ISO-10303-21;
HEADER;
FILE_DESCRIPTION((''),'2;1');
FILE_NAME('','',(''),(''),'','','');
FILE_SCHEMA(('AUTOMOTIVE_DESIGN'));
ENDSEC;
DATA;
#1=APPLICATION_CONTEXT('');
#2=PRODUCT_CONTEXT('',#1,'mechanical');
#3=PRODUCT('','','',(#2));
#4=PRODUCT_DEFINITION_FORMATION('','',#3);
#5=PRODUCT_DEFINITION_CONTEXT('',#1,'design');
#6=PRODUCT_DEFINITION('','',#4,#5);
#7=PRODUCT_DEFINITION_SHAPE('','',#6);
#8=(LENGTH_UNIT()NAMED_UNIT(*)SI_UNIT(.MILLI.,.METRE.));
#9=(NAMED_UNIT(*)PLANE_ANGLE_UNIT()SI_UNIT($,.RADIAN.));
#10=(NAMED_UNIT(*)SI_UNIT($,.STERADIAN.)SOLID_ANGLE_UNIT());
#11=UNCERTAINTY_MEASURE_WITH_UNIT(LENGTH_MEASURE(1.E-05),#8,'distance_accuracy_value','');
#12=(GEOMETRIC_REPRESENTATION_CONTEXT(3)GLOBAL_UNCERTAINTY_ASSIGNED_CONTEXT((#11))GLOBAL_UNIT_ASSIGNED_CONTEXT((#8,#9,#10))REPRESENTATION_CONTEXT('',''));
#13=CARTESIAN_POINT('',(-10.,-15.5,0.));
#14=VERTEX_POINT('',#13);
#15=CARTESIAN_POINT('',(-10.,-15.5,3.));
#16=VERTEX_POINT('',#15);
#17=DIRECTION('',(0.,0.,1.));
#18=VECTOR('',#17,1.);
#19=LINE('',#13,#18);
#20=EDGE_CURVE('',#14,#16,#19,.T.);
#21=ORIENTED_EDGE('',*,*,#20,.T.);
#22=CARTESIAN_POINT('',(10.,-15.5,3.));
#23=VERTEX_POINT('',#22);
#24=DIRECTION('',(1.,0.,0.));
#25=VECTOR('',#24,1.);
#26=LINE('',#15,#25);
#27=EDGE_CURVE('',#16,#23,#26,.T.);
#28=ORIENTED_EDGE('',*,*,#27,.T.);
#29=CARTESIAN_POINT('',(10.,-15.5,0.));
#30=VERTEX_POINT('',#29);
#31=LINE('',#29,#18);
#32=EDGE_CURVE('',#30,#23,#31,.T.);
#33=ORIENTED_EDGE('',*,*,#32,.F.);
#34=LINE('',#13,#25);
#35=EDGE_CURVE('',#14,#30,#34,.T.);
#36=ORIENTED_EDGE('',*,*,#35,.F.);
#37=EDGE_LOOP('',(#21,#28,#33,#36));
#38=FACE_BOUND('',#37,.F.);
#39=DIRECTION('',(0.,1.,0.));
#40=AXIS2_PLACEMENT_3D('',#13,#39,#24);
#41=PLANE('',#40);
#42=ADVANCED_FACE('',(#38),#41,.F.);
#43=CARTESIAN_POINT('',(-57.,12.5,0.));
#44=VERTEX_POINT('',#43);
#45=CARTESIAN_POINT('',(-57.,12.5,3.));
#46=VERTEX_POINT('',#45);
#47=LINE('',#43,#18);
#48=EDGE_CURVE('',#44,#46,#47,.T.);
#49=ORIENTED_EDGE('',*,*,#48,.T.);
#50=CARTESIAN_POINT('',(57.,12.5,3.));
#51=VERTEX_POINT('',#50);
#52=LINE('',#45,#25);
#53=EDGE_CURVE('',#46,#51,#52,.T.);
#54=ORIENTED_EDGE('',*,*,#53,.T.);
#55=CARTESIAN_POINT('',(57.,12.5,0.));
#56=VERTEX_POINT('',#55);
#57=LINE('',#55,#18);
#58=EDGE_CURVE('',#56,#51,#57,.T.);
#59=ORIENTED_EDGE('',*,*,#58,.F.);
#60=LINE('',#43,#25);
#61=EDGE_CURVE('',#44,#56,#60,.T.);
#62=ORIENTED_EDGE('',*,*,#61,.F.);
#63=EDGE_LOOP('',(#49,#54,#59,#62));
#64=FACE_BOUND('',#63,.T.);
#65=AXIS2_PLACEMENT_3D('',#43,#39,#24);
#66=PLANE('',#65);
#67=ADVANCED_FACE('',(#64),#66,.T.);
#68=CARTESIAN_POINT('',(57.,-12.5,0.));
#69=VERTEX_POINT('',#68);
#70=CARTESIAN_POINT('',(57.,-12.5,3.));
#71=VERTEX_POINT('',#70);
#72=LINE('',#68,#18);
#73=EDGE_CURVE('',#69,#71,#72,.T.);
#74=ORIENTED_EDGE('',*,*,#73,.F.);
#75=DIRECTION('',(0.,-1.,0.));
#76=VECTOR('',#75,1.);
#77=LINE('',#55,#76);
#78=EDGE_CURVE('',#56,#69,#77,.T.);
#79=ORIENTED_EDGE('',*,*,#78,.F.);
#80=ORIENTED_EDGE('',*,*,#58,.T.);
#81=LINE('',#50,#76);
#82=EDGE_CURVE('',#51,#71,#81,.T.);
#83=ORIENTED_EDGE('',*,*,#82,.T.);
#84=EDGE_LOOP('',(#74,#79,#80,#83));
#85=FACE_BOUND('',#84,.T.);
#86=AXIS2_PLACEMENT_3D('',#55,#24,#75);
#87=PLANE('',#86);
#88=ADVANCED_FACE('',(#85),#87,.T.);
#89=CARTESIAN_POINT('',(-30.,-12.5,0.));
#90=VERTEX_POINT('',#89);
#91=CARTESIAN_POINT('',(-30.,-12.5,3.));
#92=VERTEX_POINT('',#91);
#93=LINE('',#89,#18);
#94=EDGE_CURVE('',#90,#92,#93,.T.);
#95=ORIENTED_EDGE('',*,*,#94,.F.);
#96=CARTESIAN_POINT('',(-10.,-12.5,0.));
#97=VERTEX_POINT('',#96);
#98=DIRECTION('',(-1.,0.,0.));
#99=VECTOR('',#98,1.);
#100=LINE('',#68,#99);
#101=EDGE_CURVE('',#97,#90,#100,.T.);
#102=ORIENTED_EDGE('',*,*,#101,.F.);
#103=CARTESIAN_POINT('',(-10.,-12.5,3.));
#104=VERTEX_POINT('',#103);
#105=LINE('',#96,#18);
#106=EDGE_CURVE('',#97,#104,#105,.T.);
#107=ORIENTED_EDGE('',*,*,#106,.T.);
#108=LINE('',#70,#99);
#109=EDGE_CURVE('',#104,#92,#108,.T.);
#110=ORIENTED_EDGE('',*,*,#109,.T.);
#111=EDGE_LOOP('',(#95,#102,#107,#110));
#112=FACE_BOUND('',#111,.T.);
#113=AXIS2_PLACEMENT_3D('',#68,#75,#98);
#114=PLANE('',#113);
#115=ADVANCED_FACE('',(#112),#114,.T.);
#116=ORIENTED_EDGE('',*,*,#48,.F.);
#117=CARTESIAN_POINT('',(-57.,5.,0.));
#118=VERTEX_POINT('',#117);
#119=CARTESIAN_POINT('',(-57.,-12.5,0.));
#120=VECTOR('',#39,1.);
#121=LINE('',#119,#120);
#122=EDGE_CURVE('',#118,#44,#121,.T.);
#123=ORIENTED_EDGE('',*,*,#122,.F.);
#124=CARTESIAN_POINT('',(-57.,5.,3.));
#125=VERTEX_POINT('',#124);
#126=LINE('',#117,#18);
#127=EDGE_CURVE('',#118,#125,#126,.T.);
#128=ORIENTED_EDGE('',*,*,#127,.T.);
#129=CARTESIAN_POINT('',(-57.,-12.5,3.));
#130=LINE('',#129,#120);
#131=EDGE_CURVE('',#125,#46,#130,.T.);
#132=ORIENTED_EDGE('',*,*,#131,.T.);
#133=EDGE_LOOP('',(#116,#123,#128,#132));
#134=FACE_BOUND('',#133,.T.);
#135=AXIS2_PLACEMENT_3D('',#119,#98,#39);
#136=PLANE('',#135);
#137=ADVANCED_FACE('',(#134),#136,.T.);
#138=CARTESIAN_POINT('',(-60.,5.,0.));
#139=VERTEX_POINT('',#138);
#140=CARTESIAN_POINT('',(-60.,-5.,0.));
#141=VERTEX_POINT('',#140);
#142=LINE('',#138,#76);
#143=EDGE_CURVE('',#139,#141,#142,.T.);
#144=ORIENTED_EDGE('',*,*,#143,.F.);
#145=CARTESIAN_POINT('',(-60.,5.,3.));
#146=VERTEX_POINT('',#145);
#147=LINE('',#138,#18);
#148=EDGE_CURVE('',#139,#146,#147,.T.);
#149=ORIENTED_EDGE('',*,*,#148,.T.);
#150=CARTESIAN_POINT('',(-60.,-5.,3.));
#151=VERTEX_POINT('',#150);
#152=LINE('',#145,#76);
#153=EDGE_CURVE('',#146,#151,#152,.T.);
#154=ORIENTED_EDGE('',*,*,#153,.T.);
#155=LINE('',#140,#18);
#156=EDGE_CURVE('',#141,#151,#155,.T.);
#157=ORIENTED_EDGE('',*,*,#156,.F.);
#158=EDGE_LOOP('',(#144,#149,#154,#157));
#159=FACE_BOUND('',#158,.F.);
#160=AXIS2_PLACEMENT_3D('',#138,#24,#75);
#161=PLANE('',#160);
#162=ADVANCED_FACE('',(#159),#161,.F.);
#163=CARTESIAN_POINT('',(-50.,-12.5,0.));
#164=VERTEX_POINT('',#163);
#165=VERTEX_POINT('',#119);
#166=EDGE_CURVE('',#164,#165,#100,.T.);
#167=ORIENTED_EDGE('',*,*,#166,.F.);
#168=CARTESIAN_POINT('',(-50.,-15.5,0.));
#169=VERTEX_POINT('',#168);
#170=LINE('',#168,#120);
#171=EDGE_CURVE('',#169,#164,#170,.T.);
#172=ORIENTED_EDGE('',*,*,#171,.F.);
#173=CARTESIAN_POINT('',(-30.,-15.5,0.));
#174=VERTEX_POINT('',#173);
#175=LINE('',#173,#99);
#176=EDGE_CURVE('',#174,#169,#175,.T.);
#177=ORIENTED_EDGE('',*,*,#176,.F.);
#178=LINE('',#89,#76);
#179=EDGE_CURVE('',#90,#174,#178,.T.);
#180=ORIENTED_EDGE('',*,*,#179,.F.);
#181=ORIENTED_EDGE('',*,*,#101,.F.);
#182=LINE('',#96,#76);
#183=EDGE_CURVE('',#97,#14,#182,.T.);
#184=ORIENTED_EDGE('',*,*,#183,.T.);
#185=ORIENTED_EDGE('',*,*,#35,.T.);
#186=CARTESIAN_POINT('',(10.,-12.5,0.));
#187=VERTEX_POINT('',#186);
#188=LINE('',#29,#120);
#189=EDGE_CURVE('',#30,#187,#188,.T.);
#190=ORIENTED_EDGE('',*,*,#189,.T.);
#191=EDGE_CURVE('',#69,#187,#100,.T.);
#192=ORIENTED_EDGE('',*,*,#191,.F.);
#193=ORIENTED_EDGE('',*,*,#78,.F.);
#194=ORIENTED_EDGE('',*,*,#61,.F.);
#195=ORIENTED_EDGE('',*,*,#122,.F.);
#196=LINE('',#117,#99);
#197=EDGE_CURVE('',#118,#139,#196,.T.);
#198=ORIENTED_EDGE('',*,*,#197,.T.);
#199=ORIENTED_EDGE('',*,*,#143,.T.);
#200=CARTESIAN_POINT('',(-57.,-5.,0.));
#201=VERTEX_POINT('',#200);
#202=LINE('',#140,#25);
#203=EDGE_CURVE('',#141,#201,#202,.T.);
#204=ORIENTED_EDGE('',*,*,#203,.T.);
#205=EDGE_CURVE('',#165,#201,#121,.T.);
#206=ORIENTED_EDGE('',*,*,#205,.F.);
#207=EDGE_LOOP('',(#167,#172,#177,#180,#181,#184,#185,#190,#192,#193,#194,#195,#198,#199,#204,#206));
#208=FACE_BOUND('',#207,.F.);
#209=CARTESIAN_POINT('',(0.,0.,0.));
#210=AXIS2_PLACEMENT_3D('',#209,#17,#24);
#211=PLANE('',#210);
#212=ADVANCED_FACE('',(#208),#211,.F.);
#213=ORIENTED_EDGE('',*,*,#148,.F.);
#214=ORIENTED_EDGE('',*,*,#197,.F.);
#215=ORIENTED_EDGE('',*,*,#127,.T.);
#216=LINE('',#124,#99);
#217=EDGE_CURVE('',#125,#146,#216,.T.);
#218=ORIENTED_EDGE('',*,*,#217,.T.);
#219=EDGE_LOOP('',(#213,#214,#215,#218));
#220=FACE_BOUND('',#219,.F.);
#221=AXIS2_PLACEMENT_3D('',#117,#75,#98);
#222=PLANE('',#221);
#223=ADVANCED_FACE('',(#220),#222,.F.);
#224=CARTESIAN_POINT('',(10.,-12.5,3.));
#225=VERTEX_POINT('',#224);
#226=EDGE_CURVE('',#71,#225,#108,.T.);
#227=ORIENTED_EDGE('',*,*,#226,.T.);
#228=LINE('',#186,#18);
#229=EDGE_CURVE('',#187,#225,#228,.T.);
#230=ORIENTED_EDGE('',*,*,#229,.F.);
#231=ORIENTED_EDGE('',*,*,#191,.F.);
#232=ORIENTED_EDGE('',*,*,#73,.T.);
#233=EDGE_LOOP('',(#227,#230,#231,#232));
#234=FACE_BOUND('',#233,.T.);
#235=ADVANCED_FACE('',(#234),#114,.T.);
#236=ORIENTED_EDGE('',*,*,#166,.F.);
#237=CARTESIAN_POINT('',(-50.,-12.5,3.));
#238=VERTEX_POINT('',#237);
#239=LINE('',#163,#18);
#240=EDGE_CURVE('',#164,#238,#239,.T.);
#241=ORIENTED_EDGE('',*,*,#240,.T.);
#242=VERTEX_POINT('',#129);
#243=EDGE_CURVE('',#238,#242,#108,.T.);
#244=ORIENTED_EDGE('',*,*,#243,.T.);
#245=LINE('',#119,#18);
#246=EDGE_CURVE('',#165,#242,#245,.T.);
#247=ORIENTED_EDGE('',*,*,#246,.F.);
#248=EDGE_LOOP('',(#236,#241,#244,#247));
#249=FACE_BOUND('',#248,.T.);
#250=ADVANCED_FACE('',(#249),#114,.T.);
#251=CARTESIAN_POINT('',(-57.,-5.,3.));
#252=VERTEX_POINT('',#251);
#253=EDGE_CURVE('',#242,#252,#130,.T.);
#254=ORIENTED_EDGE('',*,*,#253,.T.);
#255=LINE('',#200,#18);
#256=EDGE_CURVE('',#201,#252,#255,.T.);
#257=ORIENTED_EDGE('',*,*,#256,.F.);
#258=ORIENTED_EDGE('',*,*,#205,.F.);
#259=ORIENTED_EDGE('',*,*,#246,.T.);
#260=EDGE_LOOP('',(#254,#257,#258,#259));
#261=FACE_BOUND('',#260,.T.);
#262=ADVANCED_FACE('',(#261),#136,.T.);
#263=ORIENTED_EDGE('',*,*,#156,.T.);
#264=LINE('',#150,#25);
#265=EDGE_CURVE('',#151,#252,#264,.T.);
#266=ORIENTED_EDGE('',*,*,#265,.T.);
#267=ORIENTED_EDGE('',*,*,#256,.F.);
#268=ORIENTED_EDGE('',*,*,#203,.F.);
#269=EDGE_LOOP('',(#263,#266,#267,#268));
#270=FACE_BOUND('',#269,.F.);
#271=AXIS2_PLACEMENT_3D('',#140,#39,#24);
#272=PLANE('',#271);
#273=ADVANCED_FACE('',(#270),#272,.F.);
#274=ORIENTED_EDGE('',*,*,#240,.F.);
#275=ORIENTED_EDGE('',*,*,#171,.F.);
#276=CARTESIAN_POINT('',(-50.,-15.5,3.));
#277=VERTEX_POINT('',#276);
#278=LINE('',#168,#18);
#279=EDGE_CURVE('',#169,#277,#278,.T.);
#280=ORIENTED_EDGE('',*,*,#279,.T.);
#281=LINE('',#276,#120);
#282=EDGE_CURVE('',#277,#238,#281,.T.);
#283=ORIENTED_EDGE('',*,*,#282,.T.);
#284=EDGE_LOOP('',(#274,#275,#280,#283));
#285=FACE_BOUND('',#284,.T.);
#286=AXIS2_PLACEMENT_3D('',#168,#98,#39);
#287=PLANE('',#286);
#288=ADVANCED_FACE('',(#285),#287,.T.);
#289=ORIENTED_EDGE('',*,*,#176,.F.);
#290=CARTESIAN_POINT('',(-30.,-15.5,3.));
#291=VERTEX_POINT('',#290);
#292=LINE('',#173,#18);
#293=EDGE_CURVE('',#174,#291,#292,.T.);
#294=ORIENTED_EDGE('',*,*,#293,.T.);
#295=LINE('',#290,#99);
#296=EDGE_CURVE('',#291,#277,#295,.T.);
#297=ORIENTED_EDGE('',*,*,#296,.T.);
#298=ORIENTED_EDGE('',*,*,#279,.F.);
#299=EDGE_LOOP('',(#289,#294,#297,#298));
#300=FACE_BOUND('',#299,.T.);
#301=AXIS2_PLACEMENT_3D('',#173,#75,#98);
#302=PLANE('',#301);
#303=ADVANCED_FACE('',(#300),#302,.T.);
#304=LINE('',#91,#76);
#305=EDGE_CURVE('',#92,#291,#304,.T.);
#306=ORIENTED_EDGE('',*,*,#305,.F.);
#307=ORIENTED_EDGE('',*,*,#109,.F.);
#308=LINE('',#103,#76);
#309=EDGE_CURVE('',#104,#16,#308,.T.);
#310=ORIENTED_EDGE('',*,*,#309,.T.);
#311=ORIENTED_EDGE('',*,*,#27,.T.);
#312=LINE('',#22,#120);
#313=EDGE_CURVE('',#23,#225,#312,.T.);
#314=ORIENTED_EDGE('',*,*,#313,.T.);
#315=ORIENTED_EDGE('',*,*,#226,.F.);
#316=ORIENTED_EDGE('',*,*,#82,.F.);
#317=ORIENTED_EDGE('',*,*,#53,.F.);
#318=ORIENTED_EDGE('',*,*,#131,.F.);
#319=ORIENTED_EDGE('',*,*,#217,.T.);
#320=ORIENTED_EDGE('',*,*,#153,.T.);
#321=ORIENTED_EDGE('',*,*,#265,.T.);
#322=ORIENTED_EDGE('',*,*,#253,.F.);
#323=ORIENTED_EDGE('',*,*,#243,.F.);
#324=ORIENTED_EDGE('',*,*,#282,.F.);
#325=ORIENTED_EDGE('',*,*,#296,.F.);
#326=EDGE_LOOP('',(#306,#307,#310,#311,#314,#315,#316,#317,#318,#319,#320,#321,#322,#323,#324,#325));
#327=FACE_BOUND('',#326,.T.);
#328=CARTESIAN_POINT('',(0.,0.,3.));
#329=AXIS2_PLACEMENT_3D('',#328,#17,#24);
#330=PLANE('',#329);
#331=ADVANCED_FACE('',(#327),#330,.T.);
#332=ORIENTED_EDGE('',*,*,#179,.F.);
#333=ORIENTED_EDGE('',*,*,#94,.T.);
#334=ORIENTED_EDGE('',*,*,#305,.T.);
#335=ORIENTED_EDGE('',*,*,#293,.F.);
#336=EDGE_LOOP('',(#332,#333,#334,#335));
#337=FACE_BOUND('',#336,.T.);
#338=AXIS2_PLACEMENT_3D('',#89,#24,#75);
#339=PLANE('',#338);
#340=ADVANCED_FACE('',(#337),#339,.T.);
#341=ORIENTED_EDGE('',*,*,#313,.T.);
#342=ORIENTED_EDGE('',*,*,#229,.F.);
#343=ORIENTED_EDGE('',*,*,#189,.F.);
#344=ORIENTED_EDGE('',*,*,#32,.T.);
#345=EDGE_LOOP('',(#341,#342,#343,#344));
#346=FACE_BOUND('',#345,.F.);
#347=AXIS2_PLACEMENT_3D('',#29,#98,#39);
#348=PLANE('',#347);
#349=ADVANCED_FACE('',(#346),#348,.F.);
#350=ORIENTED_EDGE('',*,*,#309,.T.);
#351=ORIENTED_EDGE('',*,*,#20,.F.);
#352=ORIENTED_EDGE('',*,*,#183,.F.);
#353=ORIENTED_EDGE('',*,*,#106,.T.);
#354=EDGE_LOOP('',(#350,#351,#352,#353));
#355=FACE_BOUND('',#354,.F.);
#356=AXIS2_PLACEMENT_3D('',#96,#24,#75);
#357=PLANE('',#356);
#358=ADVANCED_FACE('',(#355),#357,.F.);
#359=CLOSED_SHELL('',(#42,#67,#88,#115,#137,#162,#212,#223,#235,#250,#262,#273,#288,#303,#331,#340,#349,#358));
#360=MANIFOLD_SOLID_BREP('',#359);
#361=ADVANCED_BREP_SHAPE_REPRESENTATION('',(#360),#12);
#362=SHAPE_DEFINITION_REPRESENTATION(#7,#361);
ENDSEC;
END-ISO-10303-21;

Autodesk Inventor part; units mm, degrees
ref_plane "YZ Plane" through (0, 0, 0) normal (1, 0, 0) x (0, 1, 0)
ref_plane "XZ Plane" through (0, 0, 0) normal (0, 1, 0) x (-1, 0, 0)
ref_plane "XY Plane" through (0, 0, 0) normal (0, 0, 1) x (1, 0, 0)
sketch "Sketch1" plane through (0, 0, 0) normal (0, 0, 1) x (1, 0, 0)
  line L0 (57, -12.5) -> (-57, -12.5)
  line L1 (-57, -12.5) -> (-57, 12.5)
  line L2 (-57, 12.5) -> (57, 12.5)
  line L3 (57, 12.5) -> (57, -12.5)
  line L4 (57, -12.5) -> (-57, 12.5) construction
  line L5 (-57, -12.5) -> (57, 12.5) construction
  point P0 (0, 0)
  dimension "d0" = 57
  dimension "d1" = 25
extrude "Extrusion1" add sketch "Sketch1" along normal blind 3
sketch "Sketch2" plane through (0, 0, 0) normal (0, 0, -1) x (-1, 0, 0)
  line L0 (57, 12.5) -> (57, -12.5) projected
  line L1 (57, 5) -> (60, 5)
  line L2 (60, 5) -> (60, -5)
  line L3 (60, -5) -> (57, -5)
  line L4 (57, -5) -> (57, 5)
  point P0 (0, 0)
  point P1 (60, 0)
  dimension "d4" = 3
  dimension "d5" = 10
extrude "Extrusion2" add sketch "Sketch2" against normal blind 3
sketch "Sketch3" plane through (0, 0, 0) normal (0, 0, -1) x (-1, 0, 0)
  line L0 (-57, -12.5) -> (57, -12.5) projected
  line L1 (50, -12.5) -> (30, -12.5)
  line L2 (30, -12.5) -> (30, -15.5)
  line L3 (30, -15.5) -> (50, -15.5)
  line L4 (50, -15.5) -> (50, -12.5)
  line L5 (-10, -12.5) -> (10, -12.5)
  line L6 (10, -12.5) -> (10, -15.5)
  line L7 (10, -15.5) -> (-10, -15.5)
  line L8 (-10, -15.5) -> (-10, -12.5)
  point P0 (0, 0)
  point P1 (0, -15.5)
  dimension "d8" = 20
  dimension "d9" = 3
  dimension "d10" = 30
  dimension "d11" = 20
  dimension "d12" = 3
  dimension "d13" = 20
extrude "Extrusion3" add sketch "Sketch3" against normal blind 3
properties part number "motor reinforcment"
